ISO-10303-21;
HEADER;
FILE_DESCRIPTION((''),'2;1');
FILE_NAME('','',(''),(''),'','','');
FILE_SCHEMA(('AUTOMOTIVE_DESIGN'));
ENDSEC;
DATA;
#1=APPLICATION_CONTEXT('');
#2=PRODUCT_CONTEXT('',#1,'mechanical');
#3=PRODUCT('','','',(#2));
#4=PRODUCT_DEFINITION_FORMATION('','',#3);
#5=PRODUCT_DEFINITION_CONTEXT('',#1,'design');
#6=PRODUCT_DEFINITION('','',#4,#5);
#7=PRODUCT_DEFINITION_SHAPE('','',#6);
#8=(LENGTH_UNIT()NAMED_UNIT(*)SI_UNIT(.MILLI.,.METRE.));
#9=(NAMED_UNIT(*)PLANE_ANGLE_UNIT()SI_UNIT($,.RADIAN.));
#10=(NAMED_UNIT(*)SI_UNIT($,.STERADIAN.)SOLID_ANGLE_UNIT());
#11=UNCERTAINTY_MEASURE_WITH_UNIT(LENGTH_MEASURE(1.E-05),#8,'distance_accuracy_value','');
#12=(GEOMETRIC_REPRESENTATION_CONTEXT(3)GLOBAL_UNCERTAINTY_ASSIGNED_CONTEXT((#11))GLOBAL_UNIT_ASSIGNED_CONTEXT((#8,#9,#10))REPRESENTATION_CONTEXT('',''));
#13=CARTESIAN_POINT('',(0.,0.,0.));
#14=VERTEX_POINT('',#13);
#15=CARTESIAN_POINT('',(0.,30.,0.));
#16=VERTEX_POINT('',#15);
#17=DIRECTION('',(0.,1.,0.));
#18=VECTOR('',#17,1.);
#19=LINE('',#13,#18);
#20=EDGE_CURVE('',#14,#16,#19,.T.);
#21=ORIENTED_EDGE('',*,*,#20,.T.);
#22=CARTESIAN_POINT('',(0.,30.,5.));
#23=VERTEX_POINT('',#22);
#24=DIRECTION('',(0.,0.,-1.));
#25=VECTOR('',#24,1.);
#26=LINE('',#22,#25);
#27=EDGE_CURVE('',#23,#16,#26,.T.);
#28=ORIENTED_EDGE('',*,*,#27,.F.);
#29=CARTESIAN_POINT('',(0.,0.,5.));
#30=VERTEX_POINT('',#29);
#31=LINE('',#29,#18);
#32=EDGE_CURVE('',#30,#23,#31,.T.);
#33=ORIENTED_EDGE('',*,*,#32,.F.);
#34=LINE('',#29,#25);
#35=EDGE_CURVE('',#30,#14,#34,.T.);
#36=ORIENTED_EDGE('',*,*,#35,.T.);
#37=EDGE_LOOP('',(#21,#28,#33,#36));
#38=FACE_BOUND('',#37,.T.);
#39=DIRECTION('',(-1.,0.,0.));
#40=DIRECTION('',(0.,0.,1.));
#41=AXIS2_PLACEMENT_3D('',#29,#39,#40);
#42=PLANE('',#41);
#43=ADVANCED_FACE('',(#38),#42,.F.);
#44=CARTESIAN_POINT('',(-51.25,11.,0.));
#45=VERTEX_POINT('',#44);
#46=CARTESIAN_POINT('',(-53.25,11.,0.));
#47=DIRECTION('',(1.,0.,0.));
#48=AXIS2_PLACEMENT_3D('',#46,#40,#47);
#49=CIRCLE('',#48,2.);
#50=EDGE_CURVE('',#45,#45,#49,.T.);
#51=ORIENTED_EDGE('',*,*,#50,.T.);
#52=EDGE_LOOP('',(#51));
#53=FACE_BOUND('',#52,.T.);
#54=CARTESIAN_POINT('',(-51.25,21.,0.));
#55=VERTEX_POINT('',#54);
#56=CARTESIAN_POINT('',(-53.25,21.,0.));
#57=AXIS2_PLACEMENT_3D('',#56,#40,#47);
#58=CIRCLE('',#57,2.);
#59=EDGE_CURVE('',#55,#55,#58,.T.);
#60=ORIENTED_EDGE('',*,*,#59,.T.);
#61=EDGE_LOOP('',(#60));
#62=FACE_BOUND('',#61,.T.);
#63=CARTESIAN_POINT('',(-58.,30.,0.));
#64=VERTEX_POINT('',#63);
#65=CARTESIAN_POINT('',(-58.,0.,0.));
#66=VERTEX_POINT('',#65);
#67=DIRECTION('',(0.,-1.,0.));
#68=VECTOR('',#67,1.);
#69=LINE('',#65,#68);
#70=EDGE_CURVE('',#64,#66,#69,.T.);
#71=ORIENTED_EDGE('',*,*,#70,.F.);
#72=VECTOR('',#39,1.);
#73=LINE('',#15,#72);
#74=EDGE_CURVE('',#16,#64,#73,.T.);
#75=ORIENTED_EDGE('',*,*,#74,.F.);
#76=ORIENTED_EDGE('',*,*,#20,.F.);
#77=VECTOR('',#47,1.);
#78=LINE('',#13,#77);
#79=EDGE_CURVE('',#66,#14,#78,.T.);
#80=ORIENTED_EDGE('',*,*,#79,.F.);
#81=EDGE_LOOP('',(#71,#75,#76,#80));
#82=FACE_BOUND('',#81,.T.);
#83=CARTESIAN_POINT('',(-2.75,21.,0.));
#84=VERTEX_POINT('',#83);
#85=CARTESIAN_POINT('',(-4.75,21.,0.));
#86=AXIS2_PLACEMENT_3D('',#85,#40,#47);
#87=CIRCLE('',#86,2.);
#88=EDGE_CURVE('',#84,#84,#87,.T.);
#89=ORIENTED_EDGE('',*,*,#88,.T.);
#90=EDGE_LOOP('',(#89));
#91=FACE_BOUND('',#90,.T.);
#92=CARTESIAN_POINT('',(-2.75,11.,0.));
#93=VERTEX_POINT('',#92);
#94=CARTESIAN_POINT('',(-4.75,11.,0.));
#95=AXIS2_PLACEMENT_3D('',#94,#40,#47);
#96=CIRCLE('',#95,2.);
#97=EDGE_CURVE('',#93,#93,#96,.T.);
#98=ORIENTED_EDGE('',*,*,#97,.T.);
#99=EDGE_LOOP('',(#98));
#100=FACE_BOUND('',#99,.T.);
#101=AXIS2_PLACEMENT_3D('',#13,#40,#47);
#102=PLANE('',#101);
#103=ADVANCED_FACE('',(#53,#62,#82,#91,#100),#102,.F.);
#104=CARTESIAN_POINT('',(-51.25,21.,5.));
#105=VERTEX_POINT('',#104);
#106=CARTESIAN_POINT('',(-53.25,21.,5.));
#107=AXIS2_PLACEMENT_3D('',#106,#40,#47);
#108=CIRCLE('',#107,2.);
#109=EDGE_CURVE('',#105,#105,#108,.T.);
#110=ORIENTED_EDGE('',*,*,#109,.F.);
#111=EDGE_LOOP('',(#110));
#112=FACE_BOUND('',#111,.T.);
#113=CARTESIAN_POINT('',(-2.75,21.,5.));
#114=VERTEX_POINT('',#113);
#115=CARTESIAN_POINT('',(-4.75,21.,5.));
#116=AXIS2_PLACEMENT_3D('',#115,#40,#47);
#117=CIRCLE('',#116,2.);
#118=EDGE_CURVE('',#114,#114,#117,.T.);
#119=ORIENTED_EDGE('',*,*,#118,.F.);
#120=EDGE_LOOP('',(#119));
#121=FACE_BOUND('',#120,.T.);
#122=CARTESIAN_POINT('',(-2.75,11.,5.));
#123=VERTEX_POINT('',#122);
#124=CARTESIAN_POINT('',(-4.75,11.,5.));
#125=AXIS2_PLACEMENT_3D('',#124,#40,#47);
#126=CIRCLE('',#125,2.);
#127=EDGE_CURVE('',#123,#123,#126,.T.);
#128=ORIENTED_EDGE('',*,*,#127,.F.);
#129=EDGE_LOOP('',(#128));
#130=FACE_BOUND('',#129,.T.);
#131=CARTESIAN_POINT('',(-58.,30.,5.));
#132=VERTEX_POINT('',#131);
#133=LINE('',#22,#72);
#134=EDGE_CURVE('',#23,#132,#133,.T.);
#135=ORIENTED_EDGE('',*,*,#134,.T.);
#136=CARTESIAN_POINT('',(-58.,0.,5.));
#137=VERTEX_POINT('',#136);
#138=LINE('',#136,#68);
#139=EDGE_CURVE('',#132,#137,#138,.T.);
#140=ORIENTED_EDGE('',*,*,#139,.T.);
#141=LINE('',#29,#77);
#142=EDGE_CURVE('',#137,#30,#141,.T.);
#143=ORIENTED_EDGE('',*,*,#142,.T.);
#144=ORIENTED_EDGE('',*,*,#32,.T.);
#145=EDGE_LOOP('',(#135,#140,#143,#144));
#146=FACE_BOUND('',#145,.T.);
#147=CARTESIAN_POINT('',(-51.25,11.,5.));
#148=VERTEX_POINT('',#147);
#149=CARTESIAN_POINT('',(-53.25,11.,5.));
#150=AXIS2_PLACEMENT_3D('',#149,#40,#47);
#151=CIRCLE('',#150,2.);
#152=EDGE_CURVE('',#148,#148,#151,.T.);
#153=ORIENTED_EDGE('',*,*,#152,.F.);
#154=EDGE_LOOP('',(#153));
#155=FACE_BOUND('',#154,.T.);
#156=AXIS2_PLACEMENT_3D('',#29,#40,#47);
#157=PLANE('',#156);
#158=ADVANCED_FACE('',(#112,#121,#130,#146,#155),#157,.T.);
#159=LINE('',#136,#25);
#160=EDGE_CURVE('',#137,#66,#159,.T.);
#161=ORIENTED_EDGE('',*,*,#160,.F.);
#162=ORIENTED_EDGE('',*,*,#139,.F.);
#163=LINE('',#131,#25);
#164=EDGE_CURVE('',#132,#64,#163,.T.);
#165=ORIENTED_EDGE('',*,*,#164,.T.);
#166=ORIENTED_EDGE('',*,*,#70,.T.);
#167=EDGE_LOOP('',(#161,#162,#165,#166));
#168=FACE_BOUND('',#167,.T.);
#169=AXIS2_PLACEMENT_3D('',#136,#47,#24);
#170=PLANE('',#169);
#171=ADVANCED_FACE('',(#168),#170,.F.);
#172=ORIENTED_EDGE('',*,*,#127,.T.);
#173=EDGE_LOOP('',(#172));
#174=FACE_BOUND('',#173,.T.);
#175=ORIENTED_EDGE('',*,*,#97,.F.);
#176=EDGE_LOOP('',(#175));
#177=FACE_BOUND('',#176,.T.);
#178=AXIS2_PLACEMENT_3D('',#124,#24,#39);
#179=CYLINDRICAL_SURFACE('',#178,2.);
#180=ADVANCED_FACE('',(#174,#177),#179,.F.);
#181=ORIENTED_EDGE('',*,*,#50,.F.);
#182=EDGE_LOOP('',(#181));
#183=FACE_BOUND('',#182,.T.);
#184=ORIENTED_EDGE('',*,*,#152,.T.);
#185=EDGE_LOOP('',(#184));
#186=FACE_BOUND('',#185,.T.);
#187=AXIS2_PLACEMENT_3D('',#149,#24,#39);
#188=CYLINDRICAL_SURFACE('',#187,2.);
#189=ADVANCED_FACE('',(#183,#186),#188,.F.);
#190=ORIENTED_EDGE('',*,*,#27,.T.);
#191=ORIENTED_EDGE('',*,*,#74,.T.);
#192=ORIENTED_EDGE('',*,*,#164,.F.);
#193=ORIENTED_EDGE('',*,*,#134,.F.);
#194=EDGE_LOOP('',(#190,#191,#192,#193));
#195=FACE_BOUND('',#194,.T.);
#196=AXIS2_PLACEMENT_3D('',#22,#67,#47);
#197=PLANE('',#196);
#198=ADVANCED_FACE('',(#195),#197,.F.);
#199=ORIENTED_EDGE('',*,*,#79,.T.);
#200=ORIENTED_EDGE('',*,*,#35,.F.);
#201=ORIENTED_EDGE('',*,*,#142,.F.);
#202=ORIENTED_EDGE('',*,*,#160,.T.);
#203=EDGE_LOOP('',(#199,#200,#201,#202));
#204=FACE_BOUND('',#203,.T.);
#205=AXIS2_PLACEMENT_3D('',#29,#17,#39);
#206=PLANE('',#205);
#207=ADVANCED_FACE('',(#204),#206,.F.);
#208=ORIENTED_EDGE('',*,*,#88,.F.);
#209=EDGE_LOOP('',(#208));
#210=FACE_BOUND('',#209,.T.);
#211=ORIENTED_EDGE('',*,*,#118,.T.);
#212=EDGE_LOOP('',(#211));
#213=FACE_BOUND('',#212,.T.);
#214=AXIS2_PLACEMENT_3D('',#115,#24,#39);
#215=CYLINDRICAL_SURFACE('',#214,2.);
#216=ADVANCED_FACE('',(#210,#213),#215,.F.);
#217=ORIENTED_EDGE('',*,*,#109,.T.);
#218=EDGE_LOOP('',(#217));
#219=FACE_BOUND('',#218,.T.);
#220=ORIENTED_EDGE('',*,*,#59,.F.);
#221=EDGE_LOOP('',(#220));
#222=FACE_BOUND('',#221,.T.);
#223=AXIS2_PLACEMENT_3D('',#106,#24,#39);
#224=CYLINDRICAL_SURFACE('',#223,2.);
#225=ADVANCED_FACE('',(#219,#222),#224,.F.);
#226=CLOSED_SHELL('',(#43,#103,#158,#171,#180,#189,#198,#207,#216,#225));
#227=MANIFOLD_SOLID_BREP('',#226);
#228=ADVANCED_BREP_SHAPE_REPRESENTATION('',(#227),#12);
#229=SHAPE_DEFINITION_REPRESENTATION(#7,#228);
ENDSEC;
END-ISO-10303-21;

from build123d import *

# Parameters (mm, degrees)
SKETCH1_W           = 58
SKETCH1_H           = 30
SKETCH1_R           = 2
BOSS_EXTRUDE1_DEPTH = 5


with BuildPart() as part:
    # Sketch1 → Boss-Extrude1 (new body)
    with BuildSketch(Plane.XY):
        with Locations((-29, 15)):
            Rectangle(SKETCH1_W, SKETCH1_H)
        with Locations((-53.25, 21)):
            Circle(SKETCH1_R, mode=Mode.SUBTRACT)
        with Locations((-53.25, 11)):
            Circle(SKETCH1_R, mode=Mode.SUBTRACT)
        with Locations((-4.75, 21)):
            Circle(SKETCH1_R, mode=Mode.SUBTRACT)
        with Locations((-4.75, 11)):
            Circle(SKETCH1_R, mode=Mode.SUBTRACT)
    extrude(amount=BOSS_EXTRUDE1_DEPTH)


solid = part.part
